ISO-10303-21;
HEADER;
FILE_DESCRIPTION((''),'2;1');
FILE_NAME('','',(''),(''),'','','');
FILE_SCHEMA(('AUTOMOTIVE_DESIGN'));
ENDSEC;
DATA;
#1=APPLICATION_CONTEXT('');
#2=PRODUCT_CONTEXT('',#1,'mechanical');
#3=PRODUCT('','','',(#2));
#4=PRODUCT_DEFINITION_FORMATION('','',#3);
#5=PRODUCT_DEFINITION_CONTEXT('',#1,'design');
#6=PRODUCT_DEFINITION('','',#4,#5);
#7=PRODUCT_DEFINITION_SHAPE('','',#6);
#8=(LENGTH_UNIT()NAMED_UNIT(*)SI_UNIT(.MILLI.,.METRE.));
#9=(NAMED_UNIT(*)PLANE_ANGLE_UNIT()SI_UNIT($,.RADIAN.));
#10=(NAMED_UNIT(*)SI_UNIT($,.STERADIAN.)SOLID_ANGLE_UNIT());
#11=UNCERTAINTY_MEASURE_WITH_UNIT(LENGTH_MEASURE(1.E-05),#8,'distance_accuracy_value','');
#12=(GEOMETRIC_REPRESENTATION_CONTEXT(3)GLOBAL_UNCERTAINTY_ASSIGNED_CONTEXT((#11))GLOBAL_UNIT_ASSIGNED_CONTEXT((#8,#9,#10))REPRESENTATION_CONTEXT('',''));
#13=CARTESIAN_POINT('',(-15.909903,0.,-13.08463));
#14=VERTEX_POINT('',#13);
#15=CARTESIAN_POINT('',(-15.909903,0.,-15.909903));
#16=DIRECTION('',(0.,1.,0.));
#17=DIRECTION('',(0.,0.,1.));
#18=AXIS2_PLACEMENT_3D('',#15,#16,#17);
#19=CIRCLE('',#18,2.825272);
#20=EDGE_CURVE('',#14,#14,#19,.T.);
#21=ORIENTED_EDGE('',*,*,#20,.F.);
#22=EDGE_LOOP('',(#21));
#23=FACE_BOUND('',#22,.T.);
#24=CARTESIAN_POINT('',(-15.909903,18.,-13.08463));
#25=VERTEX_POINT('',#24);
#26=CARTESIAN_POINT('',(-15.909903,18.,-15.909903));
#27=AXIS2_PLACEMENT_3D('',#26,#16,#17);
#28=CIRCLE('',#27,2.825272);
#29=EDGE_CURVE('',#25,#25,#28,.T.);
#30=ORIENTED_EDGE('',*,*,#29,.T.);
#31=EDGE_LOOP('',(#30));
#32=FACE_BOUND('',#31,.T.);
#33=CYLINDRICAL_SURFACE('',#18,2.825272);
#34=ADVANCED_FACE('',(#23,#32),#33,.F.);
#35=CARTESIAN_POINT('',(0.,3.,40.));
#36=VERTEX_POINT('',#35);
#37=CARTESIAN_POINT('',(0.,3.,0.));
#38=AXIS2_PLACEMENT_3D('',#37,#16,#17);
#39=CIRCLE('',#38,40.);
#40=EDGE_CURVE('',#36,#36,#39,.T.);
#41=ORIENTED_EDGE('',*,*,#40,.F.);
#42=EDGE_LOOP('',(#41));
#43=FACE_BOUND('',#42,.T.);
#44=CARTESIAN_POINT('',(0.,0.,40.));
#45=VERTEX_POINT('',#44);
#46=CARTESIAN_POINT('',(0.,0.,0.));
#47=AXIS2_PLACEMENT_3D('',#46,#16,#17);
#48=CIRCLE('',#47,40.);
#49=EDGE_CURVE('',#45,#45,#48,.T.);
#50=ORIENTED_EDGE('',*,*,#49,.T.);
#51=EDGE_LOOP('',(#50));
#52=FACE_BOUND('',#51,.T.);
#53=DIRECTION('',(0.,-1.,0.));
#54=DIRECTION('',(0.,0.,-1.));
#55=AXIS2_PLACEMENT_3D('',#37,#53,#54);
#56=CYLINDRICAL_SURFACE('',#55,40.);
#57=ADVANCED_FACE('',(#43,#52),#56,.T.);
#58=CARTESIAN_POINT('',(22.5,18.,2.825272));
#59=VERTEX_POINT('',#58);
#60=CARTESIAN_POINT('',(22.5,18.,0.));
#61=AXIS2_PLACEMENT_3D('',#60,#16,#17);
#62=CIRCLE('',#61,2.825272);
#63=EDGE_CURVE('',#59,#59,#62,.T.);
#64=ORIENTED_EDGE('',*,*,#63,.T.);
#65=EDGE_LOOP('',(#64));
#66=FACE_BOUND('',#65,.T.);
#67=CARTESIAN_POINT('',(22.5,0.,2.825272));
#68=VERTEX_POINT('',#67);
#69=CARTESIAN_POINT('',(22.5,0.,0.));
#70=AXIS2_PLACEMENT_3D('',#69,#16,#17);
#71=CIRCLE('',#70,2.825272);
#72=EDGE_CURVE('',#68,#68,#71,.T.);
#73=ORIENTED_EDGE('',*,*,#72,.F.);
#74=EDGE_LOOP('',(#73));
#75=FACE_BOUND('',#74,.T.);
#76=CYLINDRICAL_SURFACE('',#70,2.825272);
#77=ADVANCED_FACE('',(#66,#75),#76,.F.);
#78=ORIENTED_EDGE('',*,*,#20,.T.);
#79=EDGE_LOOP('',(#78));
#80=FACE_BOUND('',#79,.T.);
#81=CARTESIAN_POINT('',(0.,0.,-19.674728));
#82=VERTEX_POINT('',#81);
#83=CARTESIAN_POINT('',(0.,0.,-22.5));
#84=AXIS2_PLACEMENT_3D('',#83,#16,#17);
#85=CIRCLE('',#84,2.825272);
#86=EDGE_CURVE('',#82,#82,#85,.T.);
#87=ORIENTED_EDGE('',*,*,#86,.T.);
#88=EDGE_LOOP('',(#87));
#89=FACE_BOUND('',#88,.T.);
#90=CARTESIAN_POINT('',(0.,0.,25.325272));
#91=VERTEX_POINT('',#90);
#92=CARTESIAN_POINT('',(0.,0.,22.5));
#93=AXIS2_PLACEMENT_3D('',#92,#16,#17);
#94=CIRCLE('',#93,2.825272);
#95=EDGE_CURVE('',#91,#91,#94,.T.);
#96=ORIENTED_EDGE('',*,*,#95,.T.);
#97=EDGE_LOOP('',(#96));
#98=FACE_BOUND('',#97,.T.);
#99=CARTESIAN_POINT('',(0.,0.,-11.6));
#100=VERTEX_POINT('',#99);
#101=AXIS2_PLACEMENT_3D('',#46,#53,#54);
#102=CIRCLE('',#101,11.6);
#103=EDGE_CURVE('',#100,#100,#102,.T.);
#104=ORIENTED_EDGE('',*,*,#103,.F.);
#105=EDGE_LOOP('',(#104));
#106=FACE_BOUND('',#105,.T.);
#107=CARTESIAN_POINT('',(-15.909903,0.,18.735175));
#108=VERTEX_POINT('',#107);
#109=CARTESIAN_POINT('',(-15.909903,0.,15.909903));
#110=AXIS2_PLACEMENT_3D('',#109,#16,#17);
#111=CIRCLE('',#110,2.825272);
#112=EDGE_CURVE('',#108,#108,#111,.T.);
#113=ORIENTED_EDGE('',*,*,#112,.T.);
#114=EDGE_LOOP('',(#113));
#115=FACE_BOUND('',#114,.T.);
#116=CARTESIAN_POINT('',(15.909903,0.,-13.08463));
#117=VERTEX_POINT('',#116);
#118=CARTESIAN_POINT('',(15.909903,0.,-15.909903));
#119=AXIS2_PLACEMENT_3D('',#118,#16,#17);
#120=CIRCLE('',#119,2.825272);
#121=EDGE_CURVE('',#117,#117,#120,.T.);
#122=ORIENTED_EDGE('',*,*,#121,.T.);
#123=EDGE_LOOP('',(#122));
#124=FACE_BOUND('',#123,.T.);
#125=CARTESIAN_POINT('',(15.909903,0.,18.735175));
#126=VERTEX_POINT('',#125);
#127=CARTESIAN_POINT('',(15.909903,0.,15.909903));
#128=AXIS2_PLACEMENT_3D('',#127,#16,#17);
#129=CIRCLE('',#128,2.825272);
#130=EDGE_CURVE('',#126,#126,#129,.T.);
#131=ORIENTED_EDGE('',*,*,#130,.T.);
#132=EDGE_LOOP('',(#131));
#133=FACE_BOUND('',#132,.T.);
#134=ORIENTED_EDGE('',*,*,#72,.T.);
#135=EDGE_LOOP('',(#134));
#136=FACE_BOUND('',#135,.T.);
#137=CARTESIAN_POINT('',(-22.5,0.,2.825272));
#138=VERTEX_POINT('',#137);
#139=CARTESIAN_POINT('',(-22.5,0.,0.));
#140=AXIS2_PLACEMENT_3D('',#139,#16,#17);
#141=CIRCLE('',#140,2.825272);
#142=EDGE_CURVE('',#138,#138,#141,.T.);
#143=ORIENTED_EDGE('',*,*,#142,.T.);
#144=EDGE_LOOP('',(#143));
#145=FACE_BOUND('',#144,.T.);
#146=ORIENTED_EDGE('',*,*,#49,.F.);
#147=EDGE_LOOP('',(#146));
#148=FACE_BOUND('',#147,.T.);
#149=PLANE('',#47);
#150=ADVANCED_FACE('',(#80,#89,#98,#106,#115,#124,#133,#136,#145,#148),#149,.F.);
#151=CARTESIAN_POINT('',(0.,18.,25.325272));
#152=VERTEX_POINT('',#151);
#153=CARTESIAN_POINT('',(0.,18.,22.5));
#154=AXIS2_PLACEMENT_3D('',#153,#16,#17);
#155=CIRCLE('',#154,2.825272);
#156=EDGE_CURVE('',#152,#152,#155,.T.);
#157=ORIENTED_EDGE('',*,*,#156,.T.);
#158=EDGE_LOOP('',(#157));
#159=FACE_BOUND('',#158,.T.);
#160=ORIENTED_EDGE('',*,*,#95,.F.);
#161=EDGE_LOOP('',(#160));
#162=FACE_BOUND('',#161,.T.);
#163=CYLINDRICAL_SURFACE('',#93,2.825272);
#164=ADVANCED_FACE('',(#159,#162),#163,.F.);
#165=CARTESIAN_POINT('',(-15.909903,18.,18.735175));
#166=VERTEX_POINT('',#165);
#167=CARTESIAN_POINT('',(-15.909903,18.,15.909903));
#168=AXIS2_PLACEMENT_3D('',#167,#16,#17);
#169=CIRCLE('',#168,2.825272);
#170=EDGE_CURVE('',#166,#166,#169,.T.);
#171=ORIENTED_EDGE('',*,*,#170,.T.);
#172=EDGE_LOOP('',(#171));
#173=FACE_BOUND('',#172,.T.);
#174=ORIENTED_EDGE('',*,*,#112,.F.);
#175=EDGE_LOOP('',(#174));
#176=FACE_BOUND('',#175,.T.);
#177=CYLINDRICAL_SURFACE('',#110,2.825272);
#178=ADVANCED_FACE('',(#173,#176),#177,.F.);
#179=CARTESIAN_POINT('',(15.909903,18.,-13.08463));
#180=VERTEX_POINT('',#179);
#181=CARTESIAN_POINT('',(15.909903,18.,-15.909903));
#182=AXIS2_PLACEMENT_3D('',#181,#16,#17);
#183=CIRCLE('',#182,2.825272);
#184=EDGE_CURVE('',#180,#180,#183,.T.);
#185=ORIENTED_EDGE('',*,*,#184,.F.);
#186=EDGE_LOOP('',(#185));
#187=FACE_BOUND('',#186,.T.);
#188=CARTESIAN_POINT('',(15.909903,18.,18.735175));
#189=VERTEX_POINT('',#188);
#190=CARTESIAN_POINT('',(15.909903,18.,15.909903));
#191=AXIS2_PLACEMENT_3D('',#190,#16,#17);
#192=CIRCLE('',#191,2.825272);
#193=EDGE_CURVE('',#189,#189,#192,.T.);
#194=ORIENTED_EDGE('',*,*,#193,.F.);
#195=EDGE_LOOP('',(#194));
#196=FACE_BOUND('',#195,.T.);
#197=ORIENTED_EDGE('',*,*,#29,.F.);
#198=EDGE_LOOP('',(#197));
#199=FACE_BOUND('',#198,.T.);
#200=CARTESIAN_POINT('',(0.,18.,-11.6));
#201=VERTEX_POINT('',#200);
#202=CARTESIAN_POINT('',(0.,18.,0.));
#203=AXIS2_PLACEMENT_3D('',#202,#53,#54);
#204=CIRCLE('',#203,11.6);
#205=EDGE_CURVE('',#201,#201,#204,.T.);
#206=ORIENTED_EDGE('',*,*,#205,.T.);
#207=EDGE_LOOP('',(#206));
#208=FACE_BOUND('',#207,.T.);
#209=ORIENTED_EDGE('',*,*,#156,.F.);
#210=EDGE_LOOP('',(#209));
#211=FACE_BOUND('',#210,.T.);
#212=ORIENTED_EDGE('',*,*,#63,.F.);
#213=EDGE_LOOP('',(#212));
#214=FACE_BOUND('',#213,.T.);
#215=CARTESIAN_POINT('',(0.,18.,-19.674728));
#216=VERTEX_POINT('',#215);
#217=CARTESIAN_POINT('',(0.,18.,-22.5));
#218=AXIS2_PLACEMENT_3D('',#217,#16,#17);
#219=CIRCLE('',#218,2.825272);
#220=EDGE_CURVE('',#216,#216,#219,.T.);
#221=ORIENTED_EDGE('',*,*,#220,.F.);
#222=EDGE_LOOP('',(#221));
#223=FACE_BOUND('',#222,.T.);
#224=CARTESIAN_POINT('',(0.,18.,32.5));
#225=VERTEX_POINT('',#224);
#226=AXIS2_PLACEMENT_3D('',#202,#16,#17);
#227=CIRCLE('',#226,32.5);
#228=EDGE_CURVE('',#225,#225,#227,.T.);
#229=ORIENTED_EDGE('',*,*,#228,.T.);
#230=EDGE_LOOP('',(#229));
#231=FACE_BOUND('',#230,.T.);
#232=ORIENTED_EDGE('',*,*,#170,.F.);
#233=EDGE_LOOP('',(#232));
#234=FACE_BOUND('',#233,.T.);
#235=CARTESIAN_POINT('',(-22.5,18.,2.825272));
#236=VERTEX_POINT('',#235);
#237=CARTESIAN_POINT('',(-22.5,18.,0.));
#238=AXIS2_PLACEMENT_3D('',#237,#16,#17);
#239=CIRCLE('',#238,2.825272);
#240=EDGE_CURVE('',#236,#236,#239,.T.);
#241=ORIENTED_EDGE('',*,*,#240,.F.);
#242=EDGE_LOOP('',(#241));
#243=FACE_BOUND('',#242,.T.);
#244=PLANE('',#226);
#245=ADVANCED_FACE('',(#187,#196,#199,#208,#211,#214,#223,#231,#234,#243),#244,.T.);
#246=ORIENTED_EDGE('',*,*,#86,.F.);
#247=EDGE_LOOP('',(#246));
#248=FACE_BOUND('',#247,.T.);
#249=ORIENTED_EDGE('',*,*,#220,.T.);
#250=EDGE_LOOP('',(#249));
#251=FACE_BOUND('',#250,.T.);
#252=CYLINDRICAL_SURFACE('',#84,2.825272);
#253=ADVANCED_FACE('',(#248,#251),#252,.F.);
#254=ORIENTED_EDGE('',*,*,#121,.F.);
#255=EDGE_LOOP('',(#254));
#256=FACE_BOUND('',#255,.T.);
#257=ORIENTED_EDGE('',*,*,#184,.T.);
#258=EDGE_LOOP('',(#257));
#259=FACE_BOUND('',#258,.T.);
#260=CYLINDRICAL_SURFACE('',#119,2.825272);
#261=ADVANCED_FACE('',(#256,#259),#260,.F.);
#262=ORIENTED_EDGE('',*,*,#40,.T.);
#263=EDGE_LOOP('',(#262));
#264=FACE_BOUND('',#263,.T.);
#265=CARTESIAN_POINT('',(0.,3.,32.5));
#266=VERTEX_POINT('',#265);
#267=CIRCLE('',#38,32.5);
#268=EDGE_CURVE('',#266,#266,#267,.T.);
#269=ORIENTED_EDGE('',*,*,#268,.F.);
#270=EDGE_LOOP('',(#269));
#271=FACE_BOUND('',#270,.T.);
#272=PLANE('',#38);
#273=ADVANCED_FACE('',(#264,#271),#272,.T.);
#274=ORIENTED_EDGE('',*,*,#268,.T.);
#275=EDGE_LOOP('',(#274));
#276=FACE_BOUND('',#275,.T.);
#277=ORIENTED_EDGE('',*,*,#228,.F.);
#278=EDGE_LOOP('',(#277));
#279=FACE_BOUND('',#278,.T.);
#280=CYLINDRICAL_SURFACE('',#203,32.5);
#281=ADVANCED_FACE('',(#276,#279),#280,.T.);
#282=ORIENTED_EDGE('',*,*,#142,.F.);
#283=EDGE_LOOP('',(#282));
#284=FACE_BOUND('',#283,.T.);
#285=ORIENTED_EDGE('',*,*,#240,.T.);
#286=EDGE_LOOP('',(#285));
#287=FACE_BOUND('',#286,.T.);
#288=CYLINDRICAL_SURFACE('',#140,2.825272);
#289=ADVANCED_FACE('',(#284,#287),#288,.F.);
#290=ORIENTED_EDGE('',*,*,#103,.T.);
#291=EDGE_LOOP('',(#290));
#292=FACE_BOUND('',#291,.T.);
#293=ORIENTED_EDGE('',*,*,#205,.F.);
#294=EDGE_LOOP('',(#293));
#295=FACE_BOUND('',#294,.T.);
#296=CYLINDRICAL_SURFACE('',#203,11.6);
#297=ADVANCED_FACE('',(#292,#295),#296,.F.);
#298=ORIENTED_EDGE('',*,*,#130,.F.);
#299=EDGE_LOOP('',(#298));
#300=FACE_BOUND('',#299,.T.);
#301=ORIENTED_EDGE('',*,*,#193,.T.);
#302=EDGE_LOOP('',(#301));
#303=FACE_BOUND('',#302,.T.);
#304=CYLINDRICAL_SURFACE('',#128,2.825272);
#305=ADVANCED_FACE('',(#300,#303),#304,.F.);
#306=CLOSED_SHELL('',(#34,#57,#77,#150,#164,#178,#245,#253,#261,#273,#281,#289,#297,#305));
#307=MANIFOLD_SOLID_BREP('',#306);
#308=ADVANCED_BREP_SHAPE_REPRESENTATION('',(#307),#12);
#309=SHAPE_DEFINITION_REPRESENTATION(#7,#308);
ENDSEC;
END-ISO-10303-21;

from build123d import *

# Parameters (mm, degrees)
SKETCH1_R           = 40
BOSS_EXTRUDE1_DEPTH = 3
SKETCH3_R           = 32.5
BOSS_EXTRUDE2_DEPTH = 15
SKETCH4_R           = 2.82527212
CUT_EXTRUDE1_DEPTH  = 60.363288319
SKETCH5_R           = 11.6
CUT_EXTRUDE2_DEPTH  = 60.363288319


with BuildPart() as part:
    # Sketch1 → Boss-Extrude1 (new body)
    with BuildSketch(Plane(origin=(0, 0, 0), x_dir=(1, 0, 0), z_dir=(0, 1, 0))):
        with Locations(Location((0, 0, 0), (0, 0, 270))):
            Circle(SKETCH1_R)
    extrude(amount=BOSS_EXTRUDE1_DEPTH)

    # Sketch3 → Boss-Extrude2 (add)
    with BuildSketch(Plane(origin=(0, 3, 0), x_dir=(1, 0, 0), z_dir=(0, 1, 0))):
        with Locations(Location((0, 0, 0), (0, 0, 270))):
            Circle(SKETCH3_R)
    extrude(amount=BOSS_EXTRUDE2_DEPTH)

    # Sketch4 → Cut-Extrude1 (cut, through all)
    with BuildSketch(Plane(origin=(0, 18, 0), x_dir=(1, 0, 0), z_dir=(0, 1, 0))):
        with Locations(Location((0, 22.5, 0), (0, 0, 270))):
            Circle(SKETCH4_R)
        with Locations(Location((15.909902577, 15.909902577, 0), (0, 0, 270))):
            Circle(SKETCH4_R)
        with Locations(Location((22.5, 0, 0), (0, 0, 270))):
            Circle(SKETCH4_R)
        with Locations(Location((15.909902577, -15.909902577, 0), (0, 0, 270))):
            Circle(SKETCH4_R)
        with Locations(Location((0, -22.5, 0), (0, 0, 270))):
            Circle(SKETCH4_R)
        with Locations(Location((-15.909902577, -15.909902577, 0), (0, 0, 270))):
            Circle(SKETCH4_R)
        with Locations(Location((-22.5, 0, 0), (0, 0, 270))):
            Circle(SKETCH4_R)
        with Locations(Location((-15.909902577, 15.909902577, 0), (0, 0, 270))):
            Circle(SKETCH4_R)
    extrude(amount=-CUT_EXTRUDE1_DEPTH, mode=Mode.SUBTRACT)

    # Sketch5 → Cut-Extrude2 (cut, through all)
    with BuildSketch(Plane.XZ):
        with Locations(Location((0, 0, 0), (0, 0, 270))):
            Circle(SKETCH5_R)
    extrude(amount=-CUT_EXTRUDE2_DEPTH, mode=Mode.SUBTRACT)


solid = part.part
